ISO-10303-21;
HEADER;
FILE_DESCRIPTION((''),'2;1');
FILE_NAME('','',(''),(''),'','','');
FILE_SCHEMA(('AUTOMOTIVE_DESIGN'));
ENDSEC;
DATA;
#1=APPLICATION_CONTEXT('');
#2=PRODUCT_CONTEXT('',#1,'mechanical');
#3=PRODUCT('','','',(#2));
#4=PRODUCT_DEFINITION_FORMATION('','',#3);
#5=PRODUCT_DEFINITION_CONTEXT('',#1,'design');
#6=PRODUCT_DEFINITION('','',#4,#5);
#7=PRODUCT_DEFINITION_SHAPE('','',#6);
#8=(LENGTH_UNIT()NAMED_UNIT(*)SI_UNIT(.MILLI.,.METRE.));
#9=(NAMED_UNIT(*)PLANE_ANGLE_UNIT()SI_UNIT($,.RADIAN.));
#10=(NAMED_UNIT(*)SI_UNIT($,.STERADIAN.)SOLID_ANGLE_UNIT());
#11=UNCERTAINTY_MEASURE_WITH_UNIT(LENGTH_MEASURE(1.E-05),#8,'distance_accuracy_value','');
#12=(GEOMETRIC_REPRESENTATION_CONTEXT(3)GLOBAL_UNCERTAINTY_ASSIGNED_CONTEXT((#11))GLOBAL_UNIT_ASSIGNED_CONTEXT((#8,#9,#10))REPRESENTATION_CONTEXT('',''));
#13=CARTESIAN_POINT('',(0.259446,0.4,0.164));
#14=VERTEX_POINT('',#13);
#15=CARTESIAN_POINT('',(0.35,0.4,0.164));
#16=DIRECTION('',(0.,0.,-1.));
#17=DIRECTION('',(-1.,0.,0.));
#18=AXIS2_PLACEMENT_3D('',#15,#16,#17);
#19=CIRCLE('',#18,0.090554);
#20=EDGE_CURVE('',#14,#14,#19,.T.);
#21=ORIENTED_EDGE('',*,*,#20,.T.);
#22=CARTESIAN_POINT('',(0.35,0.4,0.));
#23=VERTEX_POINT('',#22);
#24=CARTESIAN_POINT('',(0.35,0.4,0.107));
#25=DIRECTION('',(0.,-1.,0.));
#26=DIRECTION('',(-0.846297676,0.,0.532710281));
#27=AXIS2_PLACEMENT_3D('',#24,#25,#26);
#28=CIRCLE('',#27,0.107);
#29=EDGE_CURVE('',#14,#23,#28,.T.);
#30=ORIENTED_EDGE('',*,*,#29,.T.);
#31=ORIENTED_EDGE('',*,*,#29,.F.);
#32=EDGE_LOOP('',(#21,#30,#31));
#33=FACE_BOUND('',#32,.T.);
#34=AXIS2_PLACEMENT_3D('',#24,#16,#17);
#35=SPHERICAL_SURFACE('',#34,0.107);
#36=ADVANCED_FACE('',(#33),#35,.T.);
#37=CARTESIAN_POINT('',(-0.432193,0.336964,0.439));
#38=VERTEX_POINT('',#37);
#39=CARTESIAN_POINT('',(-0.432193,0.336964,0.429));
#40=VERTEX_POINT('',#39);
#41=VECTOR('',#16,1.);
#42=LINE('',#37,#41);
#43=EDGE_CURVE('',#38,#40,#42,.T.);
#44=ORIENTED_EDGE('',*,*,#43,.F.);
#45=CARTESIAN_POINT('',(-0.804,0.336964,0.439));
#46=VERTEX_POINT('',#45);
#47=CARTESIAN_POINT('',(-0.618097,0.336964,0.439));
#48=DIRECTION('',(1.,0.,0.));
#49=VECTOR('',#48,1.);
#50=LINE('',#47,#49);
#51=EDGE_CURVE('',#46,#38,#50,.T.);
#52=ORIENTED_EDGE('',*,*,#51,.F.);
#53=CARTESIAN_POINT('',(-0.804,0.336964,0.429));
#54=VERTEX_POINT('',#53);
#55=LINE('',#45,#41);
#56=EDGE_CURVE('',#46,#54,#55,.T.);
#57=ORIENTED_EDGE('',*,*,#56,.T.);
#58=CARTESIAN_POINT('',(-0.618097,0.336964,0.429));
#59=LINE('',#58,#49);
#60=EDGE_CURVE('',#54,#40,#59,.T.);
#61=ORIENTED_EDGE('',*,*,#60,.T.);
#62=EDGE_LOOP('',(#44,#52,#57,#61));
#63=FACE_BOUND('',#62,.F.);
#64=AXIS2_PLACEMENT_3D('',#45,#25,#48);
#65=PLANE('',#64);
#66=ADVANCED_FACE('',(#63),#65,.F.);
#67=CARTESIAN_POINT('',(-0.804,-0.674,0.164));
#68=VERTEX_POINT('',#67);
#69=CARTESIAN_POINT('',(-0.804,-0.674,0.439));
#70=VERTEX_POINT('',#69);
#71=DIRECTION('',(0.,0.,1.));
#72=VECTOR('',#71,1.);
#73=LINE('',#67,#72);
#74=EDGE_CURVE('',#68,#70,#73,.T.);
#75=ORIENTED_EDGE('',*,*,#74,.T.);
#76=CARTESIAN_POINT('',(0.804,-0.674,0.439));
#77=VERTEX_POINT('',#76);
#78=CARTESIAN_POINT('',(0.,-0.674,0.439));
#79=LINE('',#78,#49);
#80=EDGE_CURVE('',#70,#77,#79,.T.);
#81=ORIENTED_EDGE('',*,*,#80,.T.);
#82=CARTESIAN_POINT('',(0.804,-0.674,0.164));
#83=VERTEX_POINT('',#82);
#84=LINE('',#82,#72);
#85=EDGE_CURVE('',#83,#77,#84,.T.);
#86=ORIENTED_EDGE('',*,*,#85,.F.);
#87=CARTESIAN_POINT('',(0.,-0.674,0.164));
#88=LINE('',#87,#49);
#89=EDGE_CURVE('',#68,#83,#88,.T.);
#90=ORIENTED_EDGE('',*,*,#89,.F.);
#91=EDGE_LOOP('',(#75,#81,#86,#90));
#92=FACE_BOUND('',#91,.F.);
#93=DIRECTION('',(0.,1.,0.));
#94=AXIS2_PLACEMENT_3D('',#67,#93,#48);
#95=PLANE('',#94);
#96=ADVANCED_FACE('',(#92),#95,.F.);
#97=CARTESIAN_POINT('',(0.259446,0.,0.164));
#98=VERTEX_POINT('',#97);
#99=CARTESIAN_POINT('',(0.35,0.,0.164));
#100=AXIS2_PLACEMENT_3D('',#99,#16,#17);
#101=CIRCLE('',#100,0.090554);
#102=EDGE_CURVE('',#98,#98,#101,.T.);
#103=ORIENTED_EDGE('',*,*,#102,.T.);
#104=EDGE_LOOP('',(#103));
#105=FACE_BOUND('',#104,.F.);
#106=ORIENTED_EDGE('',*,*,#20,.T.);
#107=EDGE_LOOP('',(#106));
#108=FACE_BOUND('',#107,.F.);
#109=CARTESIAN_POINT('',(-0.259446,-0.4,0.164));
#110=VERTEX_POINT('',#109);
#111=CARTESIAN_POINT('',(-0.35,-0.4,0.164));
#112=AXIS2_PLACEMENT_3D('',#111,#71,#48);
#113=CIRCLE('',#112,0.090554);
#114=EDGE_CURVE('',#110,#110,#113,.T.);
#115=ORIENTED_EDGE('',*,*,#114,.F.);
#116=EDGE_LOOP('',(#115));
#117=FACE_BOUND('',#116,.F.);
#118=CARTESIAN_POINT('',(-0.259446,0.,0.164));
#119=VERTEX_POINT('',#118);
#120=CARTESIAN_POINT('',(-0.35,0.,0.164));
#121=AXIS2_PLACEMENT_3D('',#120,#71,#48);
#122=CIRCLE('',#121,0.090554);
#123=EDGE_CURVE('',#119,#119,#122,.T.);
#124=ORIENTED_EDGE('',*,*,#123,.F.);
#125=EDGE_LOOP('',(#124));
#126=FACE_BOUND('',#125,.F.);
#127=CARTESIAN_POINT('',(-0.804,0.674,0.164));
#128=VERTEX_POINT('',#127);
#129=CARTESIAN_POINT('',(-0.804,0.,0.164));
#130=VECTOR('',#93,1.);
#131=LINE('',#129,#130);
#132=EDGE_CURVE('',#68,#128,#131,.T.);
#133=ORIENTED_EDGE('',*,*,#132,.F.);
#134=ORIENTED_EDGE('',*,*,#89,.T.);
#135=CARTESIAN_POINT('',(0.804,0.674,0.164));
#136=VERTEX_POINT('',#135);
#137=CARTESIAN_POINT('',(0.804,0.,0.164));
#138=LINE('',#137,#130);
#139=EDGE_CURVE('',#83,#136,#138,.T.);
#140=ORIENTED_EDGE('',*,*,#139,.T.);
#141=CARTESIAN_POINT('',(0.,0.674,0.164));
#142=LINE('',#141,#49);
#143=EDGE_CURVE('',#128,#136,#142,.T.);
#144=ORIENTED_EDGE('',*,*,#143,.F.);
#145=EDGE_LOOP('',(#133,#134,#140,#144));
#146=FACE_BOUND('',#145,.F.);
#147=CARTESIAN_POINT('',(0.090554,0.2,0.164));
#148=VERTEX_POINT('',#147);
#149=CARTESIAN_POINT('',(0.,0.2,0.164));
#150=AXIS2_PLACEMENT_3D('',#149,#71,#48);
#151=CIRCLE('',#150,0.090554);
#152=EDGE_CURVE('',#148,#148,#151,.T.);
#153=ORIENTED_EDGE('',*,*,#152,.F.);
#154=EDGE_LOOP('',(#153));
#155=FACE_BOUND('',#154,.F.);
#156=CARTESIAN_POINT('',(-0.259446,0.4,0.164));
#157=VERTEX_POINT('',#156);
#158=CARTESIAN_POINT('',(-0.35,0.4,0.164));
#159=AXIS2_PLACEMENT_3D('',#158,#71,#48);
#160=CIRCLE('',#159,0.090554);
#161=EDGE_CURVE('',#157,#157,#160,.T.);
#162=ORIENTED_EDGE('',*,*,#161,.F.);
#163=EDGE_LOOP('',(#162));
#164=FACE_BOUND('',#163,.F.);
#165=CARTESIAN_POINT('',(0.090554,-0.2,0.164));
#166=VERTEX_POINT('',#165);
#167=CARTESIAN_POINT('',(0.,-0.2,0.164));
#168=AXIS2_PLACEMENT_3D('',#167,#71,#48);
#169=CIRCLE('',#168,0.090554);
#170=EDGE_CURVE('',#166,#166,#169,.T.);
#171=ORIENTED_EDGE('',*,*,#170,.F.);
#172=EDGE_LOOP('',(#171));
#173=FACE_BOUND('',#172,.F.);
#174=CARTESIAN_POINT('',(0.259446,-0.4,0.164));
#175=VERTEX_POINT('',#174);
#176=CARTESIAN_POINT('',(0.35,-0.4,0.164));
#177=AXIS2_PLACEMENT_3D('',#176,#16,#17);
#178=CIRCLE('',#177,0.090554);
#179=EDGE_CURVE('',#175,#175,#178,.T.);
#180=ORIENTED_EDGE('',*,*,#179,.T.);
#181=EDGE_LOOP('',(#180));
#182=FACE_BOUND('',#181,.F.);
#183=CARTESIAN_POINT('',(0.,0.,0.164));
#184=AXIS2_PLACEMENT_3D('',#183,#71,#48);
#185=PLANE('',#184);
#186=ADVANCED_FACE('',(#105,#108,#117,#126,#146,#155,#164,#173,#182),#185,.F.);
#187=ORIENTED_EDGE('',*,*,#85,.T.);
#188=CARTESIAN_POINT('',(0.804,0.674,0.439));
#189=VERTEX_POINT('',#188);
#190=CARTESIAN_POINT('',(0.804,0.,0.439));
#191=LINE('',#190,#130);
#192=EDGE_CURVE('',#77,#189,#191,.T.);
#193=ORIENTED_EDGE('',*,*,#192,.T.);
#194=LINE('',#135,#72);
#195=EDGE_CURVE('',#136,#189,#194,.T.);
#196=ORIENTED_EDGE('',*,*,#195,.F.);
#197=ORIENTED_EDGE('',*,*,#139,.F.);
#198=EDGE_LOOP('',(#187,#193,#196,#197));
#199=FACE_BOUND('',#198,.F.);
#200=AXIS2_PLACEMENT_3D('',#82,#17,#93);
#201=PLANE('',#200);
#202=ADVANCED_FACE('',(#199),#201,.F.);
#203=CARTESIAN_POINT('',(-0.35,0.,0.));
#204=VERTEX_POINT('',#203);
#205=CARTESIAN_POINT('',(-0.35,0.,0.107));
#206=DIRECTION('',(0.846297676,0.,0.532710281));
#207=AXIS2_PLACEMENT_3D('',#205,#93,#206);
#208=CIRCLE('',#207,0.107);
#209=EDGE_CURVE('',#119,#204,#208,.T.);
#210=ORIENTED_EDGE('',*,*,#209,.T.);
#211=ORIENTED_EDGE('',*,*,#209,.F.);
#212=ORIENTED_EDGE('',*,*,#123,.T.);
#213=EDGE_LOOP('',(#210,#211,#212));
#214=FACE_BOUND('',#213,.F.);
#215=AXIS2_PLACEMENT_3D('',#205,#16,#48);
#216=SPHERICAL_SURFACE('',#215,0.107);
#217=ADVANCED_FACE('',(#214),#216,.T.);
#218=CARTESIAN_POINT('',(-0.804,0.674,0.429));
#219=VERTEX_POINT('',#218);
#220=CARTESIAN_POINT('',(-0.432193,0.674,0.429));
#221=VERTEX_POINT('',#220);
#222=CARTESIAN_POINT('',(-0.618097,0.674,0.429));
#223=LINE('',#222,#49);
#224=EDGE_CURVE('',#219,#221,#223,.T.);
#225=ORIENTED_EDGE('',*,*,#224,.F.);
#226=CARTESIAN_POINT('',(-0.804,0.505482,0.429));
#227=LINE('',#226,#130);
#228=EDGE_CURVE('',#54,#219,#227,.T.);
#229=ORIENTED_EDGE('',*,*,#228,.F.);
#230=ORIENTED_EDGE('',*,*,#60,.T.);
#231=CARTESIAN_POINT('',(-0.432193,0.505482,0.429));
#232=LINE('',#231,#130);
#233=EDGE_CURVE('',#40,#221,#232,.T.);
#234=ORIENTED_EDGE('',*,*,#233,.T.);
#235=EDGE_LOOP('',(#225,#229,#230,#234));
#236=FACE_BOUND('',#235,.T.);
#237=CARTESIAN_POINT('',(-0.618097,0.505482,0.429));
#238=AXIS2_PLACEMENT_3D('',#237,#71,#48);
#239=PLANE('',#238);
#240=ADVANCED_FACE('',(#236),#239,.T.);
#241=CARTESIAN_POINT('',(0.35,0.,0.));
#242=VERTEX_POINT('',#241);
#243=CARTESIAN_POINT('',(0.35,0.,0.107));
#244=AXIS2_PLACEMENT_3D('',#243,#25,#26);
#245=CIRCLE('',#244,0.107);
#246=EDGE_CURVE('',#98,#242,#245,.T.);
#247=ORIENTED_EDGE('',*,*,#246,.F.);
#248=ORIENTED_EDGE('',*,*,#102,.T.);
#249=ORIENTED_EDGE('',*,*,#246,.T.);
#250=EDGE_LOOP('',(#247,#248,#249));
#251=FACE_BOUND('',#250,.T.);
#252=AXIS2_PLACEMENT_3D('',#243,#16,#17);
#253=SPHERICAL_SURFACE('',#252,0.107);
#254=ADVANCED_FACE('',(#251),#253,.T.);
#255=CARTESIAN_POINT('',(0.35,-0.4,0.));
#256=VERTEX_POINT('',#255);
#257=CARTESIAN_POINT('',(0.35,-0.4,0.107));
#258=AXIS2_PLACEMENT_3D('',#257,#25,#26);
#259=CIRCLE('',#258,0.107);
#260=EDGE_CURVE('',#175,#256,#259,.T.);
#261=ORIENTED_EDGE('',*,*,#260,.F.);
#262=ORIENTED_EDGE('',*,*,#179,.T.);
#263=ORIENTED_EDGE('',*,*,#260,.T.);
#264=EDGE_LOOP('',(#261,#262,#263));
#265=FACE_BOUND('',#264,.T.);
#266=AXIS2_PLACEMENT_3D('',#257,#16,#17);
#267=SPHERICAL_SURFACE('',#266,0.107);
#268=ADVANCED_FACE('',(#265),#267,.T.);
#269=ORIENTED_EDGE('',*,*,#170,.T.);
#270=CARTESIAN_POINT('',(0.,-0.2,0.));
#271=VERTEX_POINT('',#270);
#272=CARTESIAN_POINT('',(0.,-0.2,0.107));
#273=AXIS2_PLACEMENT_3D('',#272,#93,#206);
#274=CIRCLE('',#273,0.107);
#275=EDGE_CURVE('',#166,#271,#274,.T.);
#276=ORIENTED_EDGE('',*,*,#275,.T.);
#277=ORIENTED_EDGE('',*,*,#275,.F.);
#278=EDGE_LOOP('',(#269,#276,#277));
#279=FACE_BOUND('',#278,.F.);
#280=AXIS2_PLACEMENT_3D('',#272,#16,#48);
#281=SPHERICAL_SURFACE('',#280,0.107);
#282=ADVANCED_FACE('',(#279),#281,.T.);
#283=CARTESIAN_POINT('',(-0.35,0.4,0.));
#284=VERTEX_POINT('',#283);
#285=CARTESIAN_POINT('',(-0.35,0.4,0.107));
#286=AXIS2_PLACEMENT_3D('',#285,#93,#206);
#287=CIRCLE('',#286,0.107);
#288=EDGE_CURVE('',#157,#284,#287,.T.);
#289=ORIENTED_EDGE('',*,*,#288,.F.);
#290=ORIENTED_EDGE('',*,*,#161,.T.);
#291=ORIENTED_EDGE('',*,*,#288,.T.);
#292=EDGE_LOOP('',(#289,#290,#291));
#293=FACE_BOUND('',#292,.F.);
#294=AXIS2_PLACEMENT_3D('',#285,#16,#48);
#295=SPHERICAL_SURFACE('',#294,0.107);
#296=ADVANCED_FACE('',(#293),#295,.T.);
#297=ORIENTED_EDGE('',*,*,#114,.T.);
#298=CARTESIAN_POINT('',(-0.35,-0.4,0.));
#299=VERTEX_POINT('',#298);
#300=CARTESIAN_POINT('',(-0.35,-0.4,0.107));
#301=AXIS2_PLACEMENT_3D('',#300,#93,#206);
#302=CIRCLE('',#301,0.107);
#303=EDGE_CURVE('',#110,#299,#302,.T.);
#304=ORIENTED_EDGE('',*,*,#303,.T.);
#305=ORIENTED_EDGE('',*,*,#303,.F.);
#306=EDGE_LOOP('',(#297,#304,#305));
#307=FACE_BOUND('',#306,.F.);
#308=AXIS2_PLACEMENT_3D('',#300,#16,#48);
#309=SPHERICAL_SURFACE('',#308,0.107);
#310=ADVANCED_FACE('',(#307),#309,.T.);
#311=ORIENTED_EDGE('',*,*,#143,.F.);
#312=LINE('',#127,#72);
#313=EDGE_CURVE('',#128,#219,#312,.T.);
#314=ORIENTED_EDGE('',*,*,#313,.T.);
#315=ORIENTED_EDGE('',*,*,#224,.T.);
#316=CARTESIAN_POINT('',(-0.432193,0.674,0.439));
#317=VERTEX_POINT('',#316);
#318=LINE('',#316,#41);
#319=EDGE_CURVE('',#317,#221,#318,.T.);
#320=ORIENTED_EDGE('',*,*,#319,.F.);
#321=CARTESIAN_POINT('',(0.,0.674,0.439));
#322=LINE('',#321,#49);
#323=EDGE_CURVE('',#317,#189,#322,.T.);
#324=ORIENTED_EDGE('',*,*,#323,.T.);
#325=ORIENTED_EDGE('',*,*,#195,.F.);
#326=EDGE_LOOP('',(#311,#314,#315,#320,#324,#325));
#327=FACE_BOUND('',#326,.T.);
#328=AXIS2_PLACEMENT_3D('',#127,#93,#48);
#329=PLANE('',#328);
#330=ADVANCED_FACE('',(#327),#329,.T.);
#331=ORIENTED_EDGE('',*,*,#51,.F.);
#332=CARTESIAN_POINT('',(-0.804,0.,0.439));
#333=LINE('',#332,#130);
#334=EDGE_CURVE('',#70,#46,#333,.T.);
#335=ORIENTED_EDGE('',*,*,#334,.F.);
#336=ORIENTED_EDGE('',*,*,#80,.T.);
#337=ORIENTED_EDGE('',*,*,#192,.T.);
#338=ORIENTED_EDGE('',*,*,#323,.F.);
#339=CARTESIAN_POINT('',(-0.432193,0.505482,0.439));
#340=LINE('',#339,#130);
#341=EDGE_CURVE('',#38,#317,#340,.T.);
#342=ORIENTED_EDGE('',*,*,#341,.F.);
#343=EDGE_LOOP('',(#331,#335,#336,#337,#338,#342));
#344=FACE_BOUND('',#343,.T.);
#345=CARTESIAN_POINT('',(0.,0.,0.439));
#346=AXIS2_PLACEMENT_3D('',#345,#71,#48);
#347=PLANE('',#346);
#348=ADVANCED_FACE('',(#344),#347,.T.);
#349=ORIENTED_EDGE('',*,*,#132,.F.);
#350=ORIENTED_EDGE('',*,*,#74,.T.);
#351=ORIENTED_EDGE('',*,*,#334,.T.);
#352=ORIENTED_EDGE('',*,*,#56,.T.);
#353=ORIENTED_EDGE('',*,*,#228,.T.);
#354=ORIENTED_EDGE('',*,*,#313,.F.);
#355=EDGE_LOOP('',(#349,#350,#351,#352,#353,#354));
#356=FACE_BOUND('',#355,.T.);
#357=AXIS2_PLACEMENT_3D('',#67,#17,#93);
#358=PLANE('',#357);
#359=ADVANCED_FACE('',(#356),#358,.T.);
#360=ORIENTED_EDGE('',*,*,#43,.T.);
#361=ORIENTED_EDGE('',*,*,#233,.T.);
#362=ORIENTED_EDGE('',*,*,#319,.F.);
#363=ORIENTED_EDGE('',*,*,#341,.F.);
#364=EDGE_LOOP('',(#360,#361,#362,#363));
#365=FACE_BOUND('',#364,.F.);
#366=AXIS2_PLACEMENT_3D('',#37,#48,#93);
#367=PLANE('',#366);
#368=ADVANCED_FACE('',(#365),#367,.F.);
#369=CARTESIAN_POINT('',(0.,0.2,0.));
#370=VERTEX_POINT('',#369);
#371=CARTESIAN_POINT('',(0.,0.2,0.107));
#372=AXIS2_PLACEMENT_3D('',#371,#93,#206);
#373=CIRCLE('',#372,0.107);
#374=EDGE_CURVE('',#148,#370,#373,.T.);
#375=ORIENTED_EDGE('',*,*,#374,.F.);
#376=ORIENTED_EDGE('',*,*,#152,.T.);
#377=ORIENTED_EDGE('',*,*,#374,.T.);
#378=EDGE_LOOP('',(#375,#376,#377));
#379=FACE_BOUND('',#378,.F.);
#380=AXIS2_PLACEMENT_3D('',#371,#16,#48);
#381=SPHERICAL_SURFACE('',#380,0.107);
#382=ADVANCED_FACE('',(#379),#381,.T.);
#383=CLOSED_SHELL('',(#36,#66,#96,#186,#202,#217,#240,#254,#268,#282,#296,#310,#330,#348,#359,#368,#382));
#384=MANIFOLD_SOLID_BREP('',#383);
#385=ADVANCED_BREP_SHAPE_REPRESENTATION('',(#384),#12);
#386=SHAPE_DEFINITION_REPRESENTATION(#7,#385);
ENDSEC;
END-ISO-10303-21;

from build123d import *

# Parameters (mm, degrees)
BOSS_EXTRUDE1_START = 0.164
SKETCH1_W           = 1.608
SKETCH1_H           = 1.348
BOSS_EXTRUDE1_DEPTH = 0.275
SKETCH2_W           = 0.371806895
SKETCH2_H           = 0.337035884
CUT_EXTRUDE1_DEPTH  = 0.01
LPATTERN1_COUNT     = 2
LPATTERN1_PITCH     = 0.4
LPATTERN1_COL_COUNT = 2
LPATTERN1_COL_PITCH = 0.4


with BuildPart() as part:
    # Sketch1 → Boss-Extrude1 (new body)
    with BuildSketch(Plane.XY.offset(BOSS_EXTRUDE1_START)):
        Rectangle(SKETCH1_W, SKETCH1_H)
    extrude(amount=BOSS_EXTRUDE1_DEPTH)

    # Sketch2 → Cut-Extrude1 (cut)
    with BuildSketch(Plane.XY.offset(0.439)):
        with Locations((-0.618096553, 0.505482058)):
            Rectangle(SKETCH2_W, SKETCH2_H)
    extrude(amount=-CUT_EXTRUDE1_DEPTH, mode=Mode.SUBTRACT)

    # Sketch3 → Revolve5 (revolve)
    with BuildSketch(Plane(origin=(0, 0, 0), x_dir=(1, 0, 0), z_dir=(0, 1, 0))):
        with BuildLine():
            Line((-0.35, 0), (-0.35, -0.164))
            Line((-0.35, -0.164), (-0.259446149, -0.164))
            ThreePointArc((-0.259446149, -0.164), (-0.256330368, -0.055279598), (-0.35, 0))
        make_face()
    revolve5 = revolve(axis=Axis((-0.35, 0, 0), (0, 0, 1)))

    # LPattern1: Revolve5 ×2
    with Locations(*[(0, i * LPATTERN1_PITCH, 0) for i in range(1, LPATTERN1_COUNT)]):
        add(revolve5)

    # LPattern1 col: Revolve5 ×2
    with Locations(*[(0, -i * LPATTERN1_COL_PITCH, 0) for i in range(1, LPATTERN1_COL_COUNT)]):
        add(revolve5)

    # Sketch-Pattern1: Revolve5 at 2 more places
    with Locations((0.35, 0.2, 0), (0.35, -0.2, 0)):
        add(revolve5)

    # Mirror1: Revolve5 across plane
    add(revolve5.mirror(Plane(origin=(0, 0, 0), x_dir=(0, 0, 1), z_dir=(1, 0, 0))))

    # Mirror1 copy 1 sketch → Mirror1 copy 1 (revolve)
    with BuildSketch(Plane(origin=(0, 0.4, 0), x_dir=(-1, 0, 0), z_dir=(0, 1, 0))):
        with BuildLine():
            Line((-0.35, 0), (-0.35, 0.164))
            Line((-0.35, 0.164), (-0.259446149, 0.164))
            ThreePointArc((-0.259446149, 0.164), (-0.256330368, 0.055279598), (-0.35, 0))
        make_face()
    revolve(axis=Axis((0.35, 0.4, 0), (0, 0, -1)))

    # Mirror1 copy 2 sketch → Mirror1 copy 2 (revolve)
    with BuildSketch(Plane(origin=(0, -0.4, 0), x_dir=(-1, 0, 0), z_dir=(0, 1, 0))):
        with BuildLine():
            Line((-0.35, 0), (-0.35, 0.164))
            Line((-0.35, 0.164), (-0.259446149, 0.164))
            ThreePointArc((-0.259446149, 0.164), (-0.256330368, 0.055279598), (-0.35, 0))
        make_face()
    revolve(axis=Axis((0.35, -0.4, 0), (0, 0, -1)))


solid = part.part
